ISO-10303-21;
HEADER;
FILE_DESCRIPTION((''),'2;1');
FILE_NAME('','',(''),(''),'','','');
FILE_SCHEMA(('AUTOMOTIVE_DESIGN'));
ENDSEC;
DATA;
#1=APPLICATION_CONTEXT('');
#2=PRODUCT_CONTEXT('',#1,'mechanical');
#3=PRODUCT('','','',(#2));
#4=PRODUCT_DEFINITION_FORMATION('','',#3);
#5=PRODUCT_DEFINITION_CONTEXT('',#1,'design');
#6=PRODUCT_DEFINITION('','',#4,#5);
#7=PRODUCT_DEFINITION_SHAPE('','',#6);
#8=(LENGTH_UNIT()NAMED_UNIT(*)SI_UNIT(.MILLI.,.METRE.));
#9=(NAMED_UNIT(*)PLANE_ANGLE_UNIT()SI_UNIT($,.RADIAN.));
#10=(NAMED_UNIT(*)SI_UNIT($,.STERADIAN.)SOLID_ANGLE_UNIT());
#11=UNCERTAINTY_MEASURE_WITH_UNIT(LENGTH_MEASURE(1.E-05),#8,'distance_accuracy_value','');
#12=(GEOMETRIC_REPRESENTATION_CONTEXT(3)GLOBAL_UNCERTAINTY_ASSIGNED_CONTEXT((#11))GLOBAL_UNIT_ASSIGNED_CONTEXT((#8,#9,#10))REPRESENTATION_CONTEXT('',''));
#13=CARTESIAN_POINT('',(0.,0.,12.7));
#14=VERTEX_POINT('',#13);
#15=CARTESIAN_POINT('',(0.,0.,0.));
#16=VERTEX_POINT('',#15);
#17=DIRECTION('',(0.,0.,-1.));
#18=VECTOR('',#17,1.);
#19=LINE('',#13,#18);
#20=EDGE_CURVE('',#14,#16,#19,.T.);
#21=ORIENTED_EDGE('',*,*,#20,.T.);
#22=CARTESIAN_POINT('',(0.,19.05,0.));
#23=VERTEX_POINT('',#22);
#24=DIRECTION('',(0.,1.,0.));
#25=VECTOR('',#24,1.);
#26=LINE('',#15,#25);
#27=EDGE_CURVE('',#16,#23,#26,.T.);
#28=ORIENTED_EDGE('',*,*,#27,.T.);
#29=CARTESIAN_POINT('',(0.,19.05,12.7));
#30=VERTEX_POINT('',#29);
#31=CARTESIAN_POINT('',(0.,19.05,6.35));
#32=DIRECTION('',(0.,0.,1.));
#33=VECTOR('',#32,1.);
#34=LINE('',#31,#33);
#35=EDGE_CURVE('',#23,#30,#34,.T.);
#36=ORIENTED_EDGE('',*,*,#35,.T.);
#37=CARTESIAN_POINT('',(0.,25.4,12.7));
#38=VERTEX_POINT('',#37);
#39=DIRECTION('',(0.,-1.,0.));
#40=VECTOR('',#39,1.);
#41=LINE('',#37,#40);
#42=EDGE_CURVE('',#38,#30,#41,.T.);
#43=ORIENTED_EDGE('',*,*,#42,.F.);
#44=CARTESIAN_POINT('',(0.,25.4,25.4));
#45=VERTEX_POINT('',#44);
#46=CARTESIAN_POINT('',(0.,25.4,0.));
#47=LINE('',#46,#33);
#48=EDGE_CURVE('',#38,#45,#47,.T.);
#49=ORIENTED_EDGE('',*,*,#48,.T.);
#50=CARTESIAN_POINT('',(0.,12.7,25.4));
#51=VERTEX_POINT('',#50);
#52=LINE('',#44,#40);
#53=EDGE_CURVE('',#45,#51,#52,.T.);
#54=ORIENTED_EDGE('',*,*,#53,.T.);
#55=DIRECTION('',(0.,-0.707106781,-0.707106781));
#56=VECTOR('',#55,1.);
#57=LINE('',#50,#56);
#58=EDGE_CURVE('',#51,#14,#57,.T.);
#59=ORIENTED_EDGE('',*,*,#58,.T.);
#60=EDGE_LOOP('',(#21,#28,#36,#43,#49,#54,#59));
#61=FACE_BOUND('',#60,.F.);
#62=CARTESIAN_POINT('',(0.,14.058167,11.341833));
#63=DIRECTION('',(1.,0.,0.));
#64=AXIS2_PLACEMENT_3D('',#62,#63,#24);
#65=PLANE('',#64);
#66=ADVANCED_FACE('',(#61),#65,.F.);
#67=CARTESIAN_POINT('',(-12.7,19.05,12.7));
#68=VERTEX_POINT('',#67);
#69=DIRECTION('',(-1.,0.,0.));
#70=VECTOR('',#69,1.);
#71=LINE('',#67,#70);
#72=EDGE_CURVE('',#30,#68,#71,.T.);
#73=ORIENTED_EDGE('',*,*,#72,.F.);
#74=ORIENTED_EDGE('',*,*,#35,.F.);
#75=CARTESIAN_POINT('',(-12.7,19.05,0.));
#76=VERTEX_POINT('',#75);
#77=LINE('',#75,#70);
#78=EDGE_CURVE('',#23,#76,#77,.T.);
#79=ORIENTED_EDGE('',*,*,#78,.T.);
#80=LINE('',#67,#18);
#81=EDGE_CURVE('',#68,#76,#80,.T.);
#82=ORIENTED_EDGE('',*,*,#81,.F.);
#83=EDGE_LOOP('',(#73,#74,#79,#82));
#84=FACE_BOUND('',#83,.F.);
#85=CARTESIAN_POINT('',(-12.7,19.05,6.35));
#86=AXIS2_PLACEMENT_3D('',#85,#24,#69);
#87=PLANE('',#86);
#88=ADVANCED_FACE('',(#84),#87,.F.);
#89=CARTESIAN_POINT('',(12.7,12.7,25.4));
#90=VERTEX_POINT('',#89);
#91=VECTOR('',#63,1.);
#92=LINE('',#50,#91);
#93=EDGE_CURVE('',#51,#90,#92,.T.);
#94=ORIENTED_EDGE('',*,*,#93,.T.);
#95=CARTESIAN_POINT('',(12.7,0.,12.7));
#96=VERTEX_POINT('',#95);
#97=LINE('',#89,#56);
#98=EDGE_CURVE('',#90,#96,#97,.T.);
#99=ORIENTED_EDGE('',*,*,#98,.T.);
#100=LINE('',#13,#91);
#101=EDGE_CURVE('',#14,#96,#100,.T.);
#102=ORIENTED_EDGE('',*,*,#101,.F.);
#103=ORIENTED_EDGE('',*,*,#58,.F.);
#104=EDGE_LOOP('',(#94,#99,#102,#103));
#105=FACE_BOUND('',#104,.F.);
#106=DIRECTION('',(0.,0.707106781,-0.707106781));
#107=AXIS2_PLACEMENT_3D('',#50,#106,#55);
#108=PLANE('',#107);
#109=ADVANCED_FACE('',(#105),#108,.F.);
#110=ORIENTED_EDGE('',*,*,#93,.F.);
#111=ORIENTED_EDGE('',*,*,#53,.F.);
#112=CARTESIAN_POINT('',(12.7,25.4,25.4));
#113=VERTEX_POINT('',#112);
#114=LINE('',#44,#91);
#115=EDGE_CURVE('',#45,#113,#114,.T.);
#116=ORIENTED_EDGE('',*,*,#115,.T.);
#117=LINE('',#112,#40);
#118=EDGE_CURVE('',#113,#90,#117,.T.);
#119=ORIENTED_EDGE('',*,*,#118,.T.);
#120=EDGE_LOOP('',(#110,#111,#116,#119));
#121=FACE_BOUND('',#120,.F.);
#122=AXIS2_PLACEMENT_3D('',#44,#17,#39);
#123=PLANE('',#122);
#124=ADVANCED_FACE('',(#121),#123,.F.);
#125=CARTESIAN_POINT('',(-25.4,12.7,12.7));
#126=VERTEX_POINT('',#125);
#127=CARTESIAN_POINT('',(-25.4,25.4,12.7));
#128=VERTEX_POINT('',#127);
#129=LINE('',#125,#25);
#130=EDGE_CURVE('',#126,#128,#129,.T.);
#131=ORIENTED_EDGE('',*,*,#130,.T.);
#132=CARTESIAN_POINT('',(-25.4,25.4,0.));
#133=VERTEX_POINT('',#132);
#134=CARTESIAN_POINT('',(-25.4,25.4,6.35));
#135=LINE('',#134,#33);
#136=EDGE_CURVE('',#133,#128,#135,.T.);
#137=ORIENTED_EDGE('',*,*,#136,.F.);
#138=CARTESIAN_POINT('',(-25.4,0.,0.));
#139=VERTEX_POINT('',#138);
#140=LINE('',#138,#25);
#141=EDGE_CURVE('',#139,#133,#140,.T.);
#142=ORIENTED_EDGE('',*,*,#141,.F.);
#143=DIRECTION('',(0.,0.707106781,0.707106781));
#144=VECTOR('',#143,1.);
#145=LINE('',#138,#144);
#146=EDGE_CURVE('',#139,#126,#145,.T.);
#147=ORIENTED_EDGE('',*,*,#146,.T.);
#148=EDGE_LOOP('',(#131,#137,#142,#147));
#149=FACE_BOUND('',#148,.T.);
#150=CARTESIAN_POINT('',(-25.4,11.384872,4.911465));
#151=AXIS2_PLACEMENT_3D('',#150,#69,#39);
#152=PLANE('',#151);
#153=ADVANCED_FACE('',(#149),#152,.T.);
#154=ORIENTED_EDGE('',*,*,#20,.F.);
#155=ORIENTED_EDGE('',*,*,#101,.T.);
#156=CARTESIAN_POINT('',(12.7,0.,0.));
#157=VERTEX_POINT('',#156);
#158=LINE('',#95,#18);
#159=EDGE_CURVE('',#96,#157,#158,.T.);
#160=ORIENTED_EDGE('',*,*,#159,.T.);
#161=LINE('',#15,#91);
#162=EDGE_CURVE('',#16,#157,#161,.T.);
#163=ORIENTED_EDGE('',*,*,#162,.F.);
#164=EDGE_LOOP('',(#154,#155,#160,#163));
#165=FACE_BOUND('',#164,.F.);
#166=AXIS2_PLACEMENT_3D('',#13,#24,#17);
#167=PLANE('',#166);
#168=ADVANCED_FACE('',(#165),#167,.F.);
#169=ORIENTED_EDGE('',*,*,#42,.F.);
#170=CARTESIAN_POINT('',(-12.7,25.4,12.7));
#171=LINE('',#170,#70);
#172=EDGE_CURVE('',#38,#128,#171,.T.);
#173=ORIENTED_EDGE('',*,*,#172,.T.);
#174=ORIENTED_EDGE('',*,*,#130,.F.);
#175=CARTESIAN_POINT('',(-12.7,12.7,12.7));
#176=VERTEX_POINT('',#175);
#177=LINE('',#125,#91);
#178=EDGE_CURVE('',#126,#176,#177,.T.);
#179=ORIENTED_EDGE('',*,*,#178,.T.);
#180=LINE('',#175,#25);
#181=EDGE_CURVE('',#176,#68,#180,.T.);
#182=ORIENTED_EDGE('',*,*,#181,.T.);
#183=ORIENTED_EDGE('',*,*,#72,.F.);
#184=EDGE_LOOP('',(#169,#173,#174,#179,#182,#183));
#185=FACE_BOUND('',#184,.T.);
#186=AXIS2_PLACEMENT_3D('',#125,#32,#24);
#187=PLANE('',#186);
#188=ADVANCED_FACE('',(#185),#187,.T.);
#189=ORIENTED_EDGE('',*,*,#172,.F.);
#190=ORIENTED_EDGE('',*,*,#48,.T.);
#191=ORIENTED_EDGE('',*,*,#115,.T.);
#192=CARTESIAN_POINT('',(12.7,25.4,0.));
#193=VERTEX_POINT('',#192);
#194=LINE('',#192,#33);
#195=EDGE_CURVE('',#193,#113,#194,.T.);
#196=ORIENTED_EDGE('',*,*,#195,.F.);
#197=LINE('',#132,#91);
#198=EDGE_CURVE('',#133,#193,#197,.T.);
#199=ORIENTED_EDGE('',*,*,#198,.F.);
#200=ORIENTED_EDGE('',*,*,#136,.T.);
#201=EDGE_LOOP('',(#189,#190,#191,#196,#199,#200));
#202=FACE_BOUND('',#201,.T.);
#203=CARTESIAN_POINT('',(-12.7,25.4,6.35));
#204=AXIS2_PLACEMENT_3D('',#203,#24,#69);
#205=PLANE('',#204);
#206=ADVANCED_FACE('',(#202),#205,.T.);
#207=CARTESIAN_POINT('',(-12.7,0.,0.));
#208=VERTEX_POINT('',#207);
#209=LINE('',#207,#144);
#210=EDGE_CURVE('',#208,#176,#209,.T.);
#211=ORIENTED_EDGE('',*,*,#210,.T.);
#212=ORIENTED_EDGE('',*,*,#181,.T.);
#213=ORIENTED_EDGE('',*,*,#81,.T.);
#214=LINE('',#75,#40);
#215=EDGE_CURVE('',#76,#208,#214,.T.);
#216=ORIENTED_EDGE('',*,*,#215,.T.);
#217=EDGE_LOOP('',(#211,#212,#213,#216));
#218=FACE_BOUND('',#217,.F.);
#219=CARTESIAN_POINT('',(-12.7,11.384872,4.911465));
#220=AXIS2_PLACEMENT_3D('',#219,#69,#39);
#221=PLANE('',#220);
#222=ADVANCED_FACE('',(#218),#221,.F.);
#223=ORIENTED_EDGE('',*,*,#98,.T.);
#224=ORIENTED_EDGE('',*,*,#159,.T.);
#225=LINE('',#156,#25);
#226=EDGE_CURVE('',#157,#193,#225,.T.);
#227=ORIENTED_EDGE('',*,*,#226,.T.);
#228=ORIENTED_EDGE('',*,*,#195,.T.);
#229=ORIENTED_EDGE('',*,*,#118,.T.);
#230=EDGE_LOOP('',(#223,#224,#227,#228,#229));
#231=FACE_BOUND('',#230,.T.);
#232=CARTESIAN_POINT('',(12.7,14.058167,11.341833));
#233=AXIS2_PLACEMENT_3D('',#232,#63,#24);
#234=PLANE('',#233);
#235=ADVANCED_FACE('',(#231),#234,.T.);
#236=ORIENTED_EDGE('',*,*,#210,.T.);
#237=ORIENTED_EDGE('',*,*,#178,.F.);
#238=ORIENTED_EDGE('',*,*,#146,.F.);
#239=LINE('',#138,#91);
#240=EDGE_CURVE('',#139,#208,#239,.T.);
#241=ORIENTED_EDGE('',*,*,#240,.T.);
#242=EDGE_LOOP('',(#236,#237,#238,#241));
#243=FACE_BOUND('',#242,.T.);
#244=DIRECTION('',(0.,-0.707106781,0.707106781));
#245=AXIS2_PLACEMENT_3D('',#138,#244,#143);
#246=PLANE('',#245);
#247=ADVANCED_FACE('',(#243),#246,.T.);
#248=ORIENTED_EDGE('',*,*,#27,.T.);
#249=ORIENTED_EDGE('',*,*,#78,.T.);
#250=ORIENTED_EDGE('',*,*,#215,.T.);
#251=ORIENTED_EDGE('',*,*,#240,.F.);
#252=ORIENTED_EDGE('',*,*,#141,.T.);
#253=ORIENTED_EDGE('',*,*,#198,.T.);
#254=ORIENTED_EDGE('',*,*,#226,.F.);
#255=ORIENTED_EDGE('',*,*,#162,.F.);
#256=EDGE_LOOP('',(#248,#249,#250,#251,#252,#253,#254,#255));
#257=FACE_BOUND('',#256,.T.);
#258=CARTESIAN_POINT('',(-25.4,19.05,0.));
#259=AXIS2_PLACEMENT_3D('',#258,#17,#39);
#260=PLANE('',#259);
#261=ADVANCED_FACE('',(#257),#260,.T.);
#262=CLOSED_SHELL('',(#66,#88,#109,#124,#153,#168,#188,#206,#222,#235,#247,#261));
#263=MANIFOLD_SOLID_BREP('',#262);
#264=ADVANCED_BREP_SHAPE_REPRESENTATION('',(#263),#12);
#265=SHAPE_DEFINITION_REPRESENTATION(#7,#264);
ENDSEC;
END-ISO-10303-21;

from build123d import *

# Parameters (mm, degrees)
F1_DEPTH = 12.7
F2_W     = 25.4
F2_H     = 12.7
F3_DEPTH = 6.35
F5_DEPTH = 12.7


with BuildPart() as f1:
    # F0 (on Right) → F1 (new body)
    with BuildSketch(Plane.YZ):
        Polygon((0, 12.7), (0, 0), (25.4, 0), (25.4, 25.4), (12.7, 25.4), align=None)
    extrude(amount=F1_DEPTH)

    # F2 (on face) → F3 (join)
    with BuildSketch(Plane(origin=(0, 25.4, 0), x_dir=(-1, 0, 0), z_dir=(0, 1, 0))):
        with Locations((12.7, 6.35)):
            Rectangle(F2_W, F2_H)
    extrude(amount=-F3_DEPTH)

    # F4 (on face) → F5 (join)
    with BuildSketch(Plane(origin=(-25.4, 0, 0), x_dir=(0, -1, 0), z_dir=(-1, 0, 0))):
        Polygon((-19.05, 12.7), (-19.05, 0), (0, 0), (-12.7, 12.7), align=None)
    extrude(amount=-F5_DEPTH)


solid = f1.part
